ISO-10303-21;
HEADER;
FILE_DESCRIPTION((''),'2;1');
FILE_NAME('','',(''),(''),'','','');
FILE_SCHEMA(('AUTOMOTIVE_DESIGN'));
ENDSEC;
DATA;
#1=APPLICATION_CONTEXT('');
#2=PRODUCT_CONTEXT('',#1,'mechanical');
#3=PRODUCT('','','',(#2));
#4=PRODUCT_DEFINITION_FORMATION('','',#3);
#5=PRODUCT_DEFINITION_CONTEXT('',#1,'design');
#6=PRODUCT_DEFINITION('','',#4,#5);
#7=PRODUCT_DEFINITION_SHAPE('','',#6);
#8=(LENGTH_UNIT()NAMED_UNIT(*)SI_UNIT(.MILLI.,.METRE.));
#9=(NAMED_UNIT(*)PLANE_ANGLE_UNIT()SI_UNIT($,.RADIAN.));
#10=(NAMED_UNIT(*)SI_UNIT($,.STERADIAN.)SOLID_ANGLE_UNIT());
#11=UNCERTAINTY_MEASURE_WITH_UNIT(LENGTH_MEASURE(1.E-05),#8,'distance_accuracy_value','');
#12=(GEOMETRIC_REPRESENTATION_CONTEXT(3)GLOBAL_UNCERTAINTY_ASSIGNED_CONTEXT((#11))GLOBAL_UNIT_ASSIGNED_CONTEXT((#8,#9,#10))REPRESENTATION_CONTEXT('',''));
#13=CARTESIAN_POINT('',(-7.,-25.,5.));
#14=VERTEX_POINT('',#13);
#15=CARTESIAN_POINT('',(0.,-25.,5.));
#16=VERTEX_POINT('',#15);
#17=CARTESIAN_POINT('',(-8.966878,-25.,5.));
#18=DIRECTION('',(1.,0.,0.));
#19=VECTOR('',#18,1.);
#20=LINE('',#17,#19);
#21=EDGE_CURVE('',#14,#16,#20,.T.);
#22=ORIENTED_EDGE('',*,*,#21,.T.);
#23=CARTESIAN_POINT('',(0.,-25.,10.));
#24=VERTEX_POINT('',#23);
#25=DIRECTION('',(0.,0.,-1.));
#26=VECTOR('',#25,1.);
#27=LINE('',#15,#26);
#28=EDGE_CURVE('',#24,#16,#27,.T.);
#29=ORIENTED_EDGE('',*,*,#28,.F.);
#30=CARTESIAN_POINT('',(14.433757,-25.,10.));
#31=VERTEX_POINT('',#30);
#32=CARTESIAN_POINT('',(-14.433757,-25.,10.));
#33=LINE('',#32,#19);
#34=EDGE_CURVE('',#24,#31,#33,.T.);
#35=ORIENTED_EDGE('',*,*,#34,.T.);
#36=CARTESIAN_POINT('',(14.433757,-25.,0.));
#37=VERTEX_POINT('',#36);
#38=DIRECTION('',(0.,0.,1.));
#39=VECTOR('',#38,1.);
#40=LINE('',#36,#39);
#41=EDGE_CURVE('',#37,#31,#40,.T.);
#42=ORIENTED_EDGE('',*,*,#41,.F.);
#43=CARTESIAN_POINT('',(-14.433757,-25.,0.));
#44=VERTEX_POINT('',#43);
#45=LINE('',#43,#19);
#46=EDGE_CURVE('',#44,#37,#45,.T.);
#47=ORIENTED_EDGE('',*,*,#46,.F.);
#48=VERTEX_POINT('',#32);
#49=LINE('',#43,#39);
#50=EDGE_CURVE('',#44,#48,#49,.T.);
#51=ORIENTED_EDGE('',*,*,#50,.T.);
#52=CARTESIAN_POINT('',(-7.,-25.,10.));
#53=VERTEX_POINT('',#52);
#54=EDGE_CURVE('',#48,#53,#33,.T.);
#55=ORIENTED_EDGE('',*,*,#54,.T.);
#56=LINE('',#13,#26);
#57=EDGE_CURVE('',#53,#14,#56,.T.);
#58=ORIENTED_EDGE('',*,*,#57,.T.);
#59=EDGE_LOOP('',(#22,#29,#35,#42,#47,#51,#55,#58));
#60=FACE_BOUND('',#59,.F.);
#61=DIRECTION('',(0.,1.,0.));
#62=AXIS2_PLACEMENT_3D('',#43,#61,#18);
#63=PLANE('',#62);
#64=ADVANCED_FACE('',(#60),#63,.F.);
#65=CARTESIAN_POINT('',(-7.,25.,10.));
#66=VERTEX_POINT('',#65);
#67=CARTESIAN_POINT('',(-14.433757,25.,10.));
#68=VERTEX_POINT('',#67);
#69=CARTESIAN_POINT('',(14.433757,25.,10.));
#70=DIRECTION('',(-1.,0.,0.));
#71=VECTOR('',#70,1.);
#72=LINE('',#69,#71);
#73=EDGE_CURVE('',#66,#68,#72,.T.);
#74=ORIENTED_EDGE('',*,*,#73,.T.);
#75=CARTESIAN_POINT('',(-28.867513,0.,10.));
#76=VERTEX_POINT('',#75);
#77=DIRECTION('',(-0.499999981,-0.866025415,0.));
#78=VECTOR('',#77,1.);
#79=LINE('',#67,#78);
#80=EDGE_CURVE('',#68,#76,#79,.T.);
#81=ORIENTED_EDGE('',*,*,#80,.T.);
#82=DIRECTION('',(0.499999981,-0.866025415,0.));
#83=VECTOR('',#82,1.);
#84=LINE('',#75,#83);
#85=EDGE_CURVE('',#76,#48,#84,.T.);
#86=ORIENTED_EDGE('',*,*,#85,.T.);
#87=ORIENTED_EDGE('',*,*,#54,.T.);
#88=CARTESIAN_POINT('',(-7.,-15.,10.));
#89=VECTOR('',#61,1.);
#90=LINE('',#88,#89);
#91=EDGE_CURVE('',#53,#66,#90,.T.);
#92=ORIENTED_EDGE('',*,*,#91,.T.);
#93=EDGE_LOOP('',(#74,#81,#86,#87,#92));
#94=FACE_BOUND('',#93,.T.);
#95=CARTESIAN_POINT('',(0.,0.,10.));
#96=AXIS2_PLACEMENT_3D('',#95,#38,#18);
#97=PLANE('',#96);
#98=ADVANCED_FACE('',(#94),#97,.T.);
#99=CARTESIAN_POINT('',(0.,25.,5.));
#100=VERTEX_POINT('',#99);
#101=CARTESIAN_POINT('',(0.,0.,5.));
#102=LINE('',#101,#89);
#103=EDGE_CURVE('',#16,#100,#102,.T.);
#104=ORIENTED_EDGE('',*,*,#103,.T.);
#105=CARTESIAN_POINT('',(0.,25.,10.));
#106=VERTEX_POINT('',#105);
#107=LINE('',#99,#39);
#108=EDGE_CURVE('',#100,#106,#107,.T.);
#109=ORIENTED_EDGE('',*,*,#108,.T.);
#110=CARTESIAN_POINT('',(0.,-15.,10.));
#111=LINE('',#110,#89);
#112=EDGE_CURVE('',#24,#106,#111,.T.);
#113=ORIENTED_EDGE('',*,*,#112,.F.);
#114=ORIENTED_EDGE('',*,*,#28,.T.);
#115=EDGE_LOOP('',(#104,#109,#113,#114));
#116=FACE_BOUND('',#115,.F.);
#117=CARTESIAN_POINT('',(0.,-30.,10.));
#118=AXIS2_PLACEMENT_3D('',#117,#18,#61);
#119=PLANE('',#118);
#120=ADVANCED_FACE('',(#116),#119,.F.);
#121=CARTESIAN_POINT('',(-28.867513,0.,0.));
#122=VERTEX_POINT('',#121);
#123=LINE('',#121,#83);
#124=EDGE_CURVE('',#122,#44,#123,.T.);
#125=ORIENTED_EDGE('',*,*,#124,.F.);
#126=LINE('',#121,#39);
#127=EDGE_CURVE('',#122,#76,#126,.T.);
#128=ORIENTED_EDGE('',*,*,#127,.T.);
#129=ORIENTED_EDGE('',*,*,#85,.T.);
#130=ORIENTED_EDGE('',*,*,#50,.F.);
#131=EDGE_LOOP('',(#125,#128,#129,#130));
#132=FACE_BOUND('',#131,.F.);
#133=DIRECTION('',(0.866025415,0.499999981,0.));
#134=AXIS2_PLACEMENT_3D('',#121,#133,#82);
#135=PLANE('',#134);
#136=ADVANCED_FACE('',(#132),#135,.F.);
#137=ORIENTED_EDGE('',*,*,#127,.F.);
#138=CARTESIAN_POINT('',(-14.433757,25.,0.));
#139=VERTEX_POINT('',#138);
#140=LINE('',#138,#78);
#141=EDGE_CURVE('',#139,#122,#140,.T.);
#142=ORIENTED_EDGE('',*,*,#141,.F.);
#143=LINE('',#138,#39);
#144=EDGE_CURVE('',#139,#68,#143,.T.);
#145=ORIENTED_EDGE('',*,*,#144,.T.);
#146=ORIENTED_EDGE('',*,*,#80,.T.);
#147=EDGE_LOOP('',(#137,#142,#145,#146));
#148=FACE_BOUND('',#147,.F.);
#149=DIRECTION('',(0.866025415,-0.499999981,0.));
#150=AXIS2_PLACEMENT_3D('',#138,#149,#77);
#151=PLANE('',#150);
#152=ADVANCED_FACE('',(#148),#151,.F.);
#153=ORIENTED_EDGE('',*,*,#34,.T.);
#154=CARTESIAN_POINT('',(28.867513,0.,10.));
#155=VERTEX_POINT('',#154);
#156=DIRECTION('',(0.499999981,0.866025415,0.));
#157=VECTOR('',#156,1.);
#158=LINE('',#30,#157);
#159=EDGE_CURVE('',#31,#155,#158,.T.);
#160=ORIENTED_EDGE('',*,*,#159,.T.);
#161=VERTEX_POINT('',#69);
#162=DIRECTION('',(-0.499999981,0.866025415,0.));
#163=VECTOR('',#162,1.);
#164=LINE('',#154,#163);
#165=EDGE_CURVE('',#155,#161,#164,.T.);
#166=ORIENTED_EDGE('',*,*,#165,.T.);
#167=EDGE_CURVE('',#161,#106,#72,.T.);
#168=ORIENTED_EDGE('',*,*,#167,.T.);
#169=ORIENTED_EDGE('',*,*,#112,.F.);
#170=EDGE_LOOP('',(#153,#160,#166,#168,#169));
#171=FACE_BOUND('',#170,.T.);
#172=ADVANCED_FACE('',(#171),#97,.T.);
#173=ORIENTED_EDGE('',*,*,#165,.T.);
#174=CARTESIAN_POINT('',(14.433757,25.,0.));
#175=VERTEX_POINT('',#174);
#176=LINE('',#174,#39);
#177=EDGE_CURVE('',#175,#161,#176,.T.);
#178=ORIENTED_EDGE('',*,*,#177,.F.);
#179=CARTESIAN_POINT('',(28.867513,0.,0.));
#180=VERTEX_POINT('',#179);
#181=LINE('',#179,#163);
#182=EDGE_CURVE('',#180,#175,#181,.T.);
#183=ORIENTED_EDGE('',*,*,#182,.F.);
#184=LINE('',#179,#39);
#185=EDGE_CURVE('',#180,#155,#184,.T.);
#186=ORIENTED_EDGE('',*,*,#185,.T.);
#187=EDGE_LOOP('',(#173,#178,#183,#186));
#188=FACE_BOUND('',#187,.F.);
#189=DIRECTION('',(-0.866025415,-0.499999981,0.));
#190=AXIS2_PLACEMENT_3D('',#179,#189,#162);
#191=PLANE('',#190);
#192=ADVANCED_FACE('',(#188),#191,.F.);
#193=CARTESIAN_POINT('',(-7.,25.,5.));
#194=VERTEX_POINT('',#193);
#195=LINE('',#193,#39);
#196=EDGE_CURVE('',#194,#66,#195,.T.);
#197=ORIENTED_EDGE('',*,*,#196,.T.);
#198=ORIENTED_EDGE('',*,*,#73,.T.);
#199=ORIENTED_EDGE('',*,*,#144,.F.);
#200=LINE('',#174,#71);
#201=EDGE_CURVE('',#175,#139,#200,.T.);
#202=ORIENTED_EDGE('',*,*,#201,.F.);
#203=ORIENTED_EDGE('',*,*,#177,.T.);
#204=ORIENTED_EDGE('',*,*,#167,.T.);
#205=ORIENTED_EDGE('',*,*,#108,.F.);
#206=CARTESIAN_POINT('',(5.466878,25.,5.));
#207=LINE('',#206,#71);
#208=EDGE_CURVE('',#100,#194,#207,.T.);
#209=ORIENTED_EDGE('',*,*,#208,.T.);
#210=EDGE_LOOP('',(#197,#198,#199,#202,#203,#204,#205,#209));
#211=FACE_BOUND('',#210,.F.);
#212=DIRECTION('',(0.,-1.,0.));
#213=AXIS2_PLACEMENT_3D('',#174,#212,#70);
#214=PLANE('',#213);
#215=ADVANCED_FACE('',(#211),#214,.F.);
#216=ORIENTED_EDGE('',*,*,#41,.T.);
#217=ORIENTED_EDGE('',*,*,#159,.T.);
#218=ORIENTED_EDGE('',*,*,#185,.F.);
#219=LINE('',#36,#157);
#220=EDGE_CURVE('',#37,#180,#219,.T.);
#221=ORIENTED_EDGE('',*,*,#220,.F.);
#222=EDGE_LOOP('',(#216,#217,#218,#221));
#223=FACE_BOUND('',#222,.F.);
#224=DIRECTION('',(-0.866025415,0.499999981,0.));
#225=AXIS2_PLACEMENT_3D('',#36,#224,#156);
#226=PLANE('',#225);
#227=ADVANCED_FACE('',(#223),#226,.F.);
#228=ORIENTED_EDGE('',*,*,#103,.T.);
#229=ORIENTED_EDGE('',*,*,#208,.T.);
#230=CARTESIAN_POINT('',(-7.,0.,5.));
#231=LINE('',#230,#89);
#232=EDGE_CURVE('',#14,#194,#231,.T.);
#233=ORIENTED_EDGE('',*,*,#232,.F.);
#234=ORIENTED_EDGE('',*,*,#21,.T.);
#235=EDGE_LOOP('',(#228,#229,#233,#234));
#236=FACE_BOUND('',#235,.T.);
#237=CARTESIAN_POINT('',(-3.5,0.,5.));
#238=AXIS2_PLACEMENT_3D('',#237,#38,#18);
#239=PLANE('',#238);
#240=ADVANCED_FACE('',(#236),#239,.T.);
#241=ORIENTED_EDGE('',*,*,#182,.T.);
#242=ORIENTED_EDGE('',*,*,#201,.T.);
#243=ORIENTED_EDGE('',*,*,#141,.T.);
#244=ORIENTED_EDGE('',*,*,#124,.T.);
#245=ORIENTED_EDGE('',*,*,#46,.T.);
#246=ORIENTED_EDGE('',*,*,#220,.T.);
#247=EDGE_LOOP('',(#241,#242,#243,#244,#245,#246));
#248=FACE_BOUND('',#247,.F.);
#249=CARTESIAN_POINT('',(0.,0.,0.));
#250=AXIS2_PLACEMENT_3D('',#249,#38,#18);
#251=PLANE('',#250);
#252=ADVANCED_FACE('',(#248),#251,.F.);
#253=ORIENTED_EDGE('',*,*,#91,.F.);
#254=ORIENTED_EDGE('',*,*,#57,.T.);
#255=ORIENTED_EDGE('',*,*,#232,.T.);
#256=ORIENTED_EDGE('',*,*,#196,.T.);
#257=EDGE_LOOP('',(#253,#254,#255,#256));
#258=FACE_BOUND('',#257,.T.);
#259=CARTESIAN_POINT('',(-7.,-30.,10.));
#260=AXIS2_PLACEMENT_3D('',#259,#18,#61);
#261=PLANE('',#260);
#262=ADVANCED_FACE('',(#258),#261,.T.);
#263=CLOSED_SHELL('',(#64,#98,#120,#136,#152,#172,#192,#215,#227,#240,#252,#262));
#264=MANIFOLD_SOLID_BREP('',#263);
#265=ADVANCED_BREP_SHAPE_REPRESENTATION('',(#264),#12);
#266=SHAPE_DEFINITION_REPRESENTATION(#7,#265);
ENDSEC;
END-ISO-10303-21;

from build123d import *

# Parameters (mm, degrees)
SKETCH001_W           = 7
SKETCH001_H           = 60
EXTRUDE001_DEPTH      = 1
EXTRUDE001_DEPTH_BACK = 5
EXTRUDE_DEPTH         = 10


with BuildPart() as extrude001:
    # Sketch001 (on Face8 of Extrude) → Extrude001 (new body, two sides)
    with BuildSketch(Plane.XY.offset(10)) as extrude001_sk:
        with Locations((-3.5, 0)):
            Rectangle(SKETCH001_W, SKETCH001_H)
    extrude(amount=EXTRUDE001_DEPTH)
    extrude(extrude001_sk.sketch, amount=-EXTRUDE001_DEPTH_BACK)


with BuildPart() as cut:
    # Sketch → Extrude (new body)
    with BuildSketch(Plane.XY):
        Polygon((28.867513, 0), (14.433757, 25), (-14.433757, 25), (-28.867513, 0), (-14.433757, -25), (14.433757, -25), align=None)
    extrude(amount=EXTRUDE_DEPTH)

    # Cut: cut Extrude001
    add(extrude001.part, mode=Mode.SUBTRACT)


solid = cut.part
